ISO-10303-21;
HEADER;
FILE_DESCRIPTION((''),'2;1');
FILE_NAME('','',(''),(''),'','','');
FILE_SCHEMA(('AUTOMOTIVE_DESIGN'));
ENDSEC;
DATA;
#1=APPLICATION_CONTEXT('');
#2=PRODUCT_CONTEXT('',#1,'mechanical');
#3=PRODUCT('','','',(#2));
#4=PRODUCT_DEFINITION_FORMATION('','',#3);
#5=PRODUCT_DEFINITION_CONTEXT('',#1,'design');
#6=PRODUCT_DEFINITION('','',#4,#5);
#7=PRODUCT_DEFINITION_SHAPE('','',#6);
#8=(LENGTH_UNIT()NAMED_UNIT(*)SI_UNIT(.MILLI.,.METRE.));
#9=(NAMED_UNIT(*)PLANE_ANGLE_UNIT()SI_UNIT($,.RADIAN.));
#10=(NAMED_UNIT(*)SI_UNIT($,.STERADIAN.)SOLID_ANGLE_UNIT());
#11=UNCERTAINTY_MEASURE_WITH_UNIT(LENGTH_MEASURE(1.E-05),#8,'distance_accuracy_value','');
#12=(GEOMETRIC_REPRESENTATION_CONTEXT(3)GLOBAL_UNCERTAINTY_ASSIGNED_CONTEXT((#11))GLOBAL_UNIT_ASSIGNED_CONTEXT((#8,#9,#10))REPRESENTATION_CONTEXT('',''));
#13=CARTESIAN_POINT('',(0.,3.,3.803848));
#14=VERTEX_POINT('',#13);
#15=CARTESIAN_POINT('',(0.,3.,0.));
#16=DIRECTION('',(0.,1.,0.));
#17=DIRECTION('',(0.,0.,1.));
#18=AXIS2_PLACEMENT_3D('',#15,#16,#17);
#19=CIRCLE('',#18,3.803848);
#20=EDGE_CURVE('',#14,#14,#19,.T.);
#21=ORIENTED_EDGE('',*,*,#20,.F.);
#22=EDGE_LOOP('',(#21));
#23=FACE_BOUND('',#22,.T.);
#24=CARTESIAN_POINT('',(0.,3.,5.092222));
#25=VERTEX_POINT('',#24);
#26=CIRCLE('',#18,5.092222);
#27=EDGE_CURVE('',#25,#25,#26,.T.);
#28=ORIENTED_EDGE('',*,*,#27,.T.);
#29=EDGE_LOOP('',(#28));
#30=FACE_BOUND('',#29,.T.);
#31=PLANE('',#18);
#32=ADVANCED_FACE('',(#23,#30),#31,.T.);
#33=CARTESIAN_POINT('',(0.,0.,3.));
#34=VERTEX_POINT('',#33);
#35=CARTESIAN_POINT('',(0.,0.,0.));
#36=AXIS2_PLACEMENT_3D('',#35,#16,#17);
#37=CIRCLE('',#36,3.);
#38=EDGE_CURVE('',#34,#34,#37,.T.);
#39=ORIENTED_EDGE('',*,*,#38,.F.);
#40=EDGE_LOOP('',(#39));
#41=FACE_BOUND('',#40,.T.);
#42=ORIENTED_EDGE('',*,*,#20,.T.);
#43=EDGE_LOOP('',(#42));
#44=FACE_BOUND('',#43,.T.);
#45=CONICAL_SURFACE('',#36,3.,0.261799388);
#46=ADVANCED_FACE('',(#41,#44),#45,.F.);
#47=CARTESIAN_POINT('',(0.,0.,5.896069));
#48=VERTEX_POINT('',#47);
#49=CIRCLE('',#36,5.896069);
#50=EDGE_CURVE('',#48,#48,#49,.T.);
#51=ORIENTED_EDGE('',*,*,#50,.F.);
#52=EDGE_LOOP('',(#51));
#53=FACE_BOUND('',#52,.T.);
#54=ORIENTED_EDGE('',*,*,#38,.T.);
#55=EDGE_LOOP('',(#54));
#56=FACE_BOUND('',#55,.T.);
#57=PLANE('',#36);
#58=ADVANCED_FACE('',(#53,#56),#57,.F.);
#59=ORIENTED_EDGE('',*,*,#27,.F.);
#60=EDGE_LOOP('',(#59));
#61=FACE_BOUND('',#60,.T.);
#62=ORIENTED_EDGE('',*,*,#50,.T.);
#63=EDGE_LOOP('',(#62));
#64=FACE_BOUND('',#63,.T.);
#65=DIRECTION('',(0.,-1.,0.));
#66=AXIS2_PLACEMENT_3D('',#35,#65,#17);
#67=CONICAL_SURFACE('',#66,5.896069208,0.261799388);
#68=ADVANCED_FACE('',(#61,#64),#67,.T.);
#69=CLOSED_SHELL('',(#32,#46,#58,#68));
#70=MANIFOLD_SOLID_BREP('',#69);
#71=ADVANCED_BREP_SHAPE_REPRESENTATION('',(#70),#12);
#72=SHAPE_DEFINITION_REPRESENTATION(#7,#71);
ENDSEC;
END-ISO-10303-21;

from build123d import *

# Parameters (mm, degrees)
SKETCH1_R           = 5.896069208
SKETCH1_R_2         = 3
BOSS_EXTRUDE1_DEPTH = 3
BOSS_EXTRUDE1_TAPER = 15


with BuildPart() as part:
    # Sketch1 → Boss-Extrude1 (new body)
    with BuildSketch(Plane(origin=(0, 0, 0), x_dir=(1, 0, 0), z_dir=(0, 1, 0))):
        Circle(SKETCH1_R)
        Circle(SKETCH1_R_2, mode=Mode.SUBTRACT)
    extrude(amount=BOSS_EXTRUDE1_DEPTH, taper=BOSS_EXTRUDE1_TAPER)


solid = part.part
